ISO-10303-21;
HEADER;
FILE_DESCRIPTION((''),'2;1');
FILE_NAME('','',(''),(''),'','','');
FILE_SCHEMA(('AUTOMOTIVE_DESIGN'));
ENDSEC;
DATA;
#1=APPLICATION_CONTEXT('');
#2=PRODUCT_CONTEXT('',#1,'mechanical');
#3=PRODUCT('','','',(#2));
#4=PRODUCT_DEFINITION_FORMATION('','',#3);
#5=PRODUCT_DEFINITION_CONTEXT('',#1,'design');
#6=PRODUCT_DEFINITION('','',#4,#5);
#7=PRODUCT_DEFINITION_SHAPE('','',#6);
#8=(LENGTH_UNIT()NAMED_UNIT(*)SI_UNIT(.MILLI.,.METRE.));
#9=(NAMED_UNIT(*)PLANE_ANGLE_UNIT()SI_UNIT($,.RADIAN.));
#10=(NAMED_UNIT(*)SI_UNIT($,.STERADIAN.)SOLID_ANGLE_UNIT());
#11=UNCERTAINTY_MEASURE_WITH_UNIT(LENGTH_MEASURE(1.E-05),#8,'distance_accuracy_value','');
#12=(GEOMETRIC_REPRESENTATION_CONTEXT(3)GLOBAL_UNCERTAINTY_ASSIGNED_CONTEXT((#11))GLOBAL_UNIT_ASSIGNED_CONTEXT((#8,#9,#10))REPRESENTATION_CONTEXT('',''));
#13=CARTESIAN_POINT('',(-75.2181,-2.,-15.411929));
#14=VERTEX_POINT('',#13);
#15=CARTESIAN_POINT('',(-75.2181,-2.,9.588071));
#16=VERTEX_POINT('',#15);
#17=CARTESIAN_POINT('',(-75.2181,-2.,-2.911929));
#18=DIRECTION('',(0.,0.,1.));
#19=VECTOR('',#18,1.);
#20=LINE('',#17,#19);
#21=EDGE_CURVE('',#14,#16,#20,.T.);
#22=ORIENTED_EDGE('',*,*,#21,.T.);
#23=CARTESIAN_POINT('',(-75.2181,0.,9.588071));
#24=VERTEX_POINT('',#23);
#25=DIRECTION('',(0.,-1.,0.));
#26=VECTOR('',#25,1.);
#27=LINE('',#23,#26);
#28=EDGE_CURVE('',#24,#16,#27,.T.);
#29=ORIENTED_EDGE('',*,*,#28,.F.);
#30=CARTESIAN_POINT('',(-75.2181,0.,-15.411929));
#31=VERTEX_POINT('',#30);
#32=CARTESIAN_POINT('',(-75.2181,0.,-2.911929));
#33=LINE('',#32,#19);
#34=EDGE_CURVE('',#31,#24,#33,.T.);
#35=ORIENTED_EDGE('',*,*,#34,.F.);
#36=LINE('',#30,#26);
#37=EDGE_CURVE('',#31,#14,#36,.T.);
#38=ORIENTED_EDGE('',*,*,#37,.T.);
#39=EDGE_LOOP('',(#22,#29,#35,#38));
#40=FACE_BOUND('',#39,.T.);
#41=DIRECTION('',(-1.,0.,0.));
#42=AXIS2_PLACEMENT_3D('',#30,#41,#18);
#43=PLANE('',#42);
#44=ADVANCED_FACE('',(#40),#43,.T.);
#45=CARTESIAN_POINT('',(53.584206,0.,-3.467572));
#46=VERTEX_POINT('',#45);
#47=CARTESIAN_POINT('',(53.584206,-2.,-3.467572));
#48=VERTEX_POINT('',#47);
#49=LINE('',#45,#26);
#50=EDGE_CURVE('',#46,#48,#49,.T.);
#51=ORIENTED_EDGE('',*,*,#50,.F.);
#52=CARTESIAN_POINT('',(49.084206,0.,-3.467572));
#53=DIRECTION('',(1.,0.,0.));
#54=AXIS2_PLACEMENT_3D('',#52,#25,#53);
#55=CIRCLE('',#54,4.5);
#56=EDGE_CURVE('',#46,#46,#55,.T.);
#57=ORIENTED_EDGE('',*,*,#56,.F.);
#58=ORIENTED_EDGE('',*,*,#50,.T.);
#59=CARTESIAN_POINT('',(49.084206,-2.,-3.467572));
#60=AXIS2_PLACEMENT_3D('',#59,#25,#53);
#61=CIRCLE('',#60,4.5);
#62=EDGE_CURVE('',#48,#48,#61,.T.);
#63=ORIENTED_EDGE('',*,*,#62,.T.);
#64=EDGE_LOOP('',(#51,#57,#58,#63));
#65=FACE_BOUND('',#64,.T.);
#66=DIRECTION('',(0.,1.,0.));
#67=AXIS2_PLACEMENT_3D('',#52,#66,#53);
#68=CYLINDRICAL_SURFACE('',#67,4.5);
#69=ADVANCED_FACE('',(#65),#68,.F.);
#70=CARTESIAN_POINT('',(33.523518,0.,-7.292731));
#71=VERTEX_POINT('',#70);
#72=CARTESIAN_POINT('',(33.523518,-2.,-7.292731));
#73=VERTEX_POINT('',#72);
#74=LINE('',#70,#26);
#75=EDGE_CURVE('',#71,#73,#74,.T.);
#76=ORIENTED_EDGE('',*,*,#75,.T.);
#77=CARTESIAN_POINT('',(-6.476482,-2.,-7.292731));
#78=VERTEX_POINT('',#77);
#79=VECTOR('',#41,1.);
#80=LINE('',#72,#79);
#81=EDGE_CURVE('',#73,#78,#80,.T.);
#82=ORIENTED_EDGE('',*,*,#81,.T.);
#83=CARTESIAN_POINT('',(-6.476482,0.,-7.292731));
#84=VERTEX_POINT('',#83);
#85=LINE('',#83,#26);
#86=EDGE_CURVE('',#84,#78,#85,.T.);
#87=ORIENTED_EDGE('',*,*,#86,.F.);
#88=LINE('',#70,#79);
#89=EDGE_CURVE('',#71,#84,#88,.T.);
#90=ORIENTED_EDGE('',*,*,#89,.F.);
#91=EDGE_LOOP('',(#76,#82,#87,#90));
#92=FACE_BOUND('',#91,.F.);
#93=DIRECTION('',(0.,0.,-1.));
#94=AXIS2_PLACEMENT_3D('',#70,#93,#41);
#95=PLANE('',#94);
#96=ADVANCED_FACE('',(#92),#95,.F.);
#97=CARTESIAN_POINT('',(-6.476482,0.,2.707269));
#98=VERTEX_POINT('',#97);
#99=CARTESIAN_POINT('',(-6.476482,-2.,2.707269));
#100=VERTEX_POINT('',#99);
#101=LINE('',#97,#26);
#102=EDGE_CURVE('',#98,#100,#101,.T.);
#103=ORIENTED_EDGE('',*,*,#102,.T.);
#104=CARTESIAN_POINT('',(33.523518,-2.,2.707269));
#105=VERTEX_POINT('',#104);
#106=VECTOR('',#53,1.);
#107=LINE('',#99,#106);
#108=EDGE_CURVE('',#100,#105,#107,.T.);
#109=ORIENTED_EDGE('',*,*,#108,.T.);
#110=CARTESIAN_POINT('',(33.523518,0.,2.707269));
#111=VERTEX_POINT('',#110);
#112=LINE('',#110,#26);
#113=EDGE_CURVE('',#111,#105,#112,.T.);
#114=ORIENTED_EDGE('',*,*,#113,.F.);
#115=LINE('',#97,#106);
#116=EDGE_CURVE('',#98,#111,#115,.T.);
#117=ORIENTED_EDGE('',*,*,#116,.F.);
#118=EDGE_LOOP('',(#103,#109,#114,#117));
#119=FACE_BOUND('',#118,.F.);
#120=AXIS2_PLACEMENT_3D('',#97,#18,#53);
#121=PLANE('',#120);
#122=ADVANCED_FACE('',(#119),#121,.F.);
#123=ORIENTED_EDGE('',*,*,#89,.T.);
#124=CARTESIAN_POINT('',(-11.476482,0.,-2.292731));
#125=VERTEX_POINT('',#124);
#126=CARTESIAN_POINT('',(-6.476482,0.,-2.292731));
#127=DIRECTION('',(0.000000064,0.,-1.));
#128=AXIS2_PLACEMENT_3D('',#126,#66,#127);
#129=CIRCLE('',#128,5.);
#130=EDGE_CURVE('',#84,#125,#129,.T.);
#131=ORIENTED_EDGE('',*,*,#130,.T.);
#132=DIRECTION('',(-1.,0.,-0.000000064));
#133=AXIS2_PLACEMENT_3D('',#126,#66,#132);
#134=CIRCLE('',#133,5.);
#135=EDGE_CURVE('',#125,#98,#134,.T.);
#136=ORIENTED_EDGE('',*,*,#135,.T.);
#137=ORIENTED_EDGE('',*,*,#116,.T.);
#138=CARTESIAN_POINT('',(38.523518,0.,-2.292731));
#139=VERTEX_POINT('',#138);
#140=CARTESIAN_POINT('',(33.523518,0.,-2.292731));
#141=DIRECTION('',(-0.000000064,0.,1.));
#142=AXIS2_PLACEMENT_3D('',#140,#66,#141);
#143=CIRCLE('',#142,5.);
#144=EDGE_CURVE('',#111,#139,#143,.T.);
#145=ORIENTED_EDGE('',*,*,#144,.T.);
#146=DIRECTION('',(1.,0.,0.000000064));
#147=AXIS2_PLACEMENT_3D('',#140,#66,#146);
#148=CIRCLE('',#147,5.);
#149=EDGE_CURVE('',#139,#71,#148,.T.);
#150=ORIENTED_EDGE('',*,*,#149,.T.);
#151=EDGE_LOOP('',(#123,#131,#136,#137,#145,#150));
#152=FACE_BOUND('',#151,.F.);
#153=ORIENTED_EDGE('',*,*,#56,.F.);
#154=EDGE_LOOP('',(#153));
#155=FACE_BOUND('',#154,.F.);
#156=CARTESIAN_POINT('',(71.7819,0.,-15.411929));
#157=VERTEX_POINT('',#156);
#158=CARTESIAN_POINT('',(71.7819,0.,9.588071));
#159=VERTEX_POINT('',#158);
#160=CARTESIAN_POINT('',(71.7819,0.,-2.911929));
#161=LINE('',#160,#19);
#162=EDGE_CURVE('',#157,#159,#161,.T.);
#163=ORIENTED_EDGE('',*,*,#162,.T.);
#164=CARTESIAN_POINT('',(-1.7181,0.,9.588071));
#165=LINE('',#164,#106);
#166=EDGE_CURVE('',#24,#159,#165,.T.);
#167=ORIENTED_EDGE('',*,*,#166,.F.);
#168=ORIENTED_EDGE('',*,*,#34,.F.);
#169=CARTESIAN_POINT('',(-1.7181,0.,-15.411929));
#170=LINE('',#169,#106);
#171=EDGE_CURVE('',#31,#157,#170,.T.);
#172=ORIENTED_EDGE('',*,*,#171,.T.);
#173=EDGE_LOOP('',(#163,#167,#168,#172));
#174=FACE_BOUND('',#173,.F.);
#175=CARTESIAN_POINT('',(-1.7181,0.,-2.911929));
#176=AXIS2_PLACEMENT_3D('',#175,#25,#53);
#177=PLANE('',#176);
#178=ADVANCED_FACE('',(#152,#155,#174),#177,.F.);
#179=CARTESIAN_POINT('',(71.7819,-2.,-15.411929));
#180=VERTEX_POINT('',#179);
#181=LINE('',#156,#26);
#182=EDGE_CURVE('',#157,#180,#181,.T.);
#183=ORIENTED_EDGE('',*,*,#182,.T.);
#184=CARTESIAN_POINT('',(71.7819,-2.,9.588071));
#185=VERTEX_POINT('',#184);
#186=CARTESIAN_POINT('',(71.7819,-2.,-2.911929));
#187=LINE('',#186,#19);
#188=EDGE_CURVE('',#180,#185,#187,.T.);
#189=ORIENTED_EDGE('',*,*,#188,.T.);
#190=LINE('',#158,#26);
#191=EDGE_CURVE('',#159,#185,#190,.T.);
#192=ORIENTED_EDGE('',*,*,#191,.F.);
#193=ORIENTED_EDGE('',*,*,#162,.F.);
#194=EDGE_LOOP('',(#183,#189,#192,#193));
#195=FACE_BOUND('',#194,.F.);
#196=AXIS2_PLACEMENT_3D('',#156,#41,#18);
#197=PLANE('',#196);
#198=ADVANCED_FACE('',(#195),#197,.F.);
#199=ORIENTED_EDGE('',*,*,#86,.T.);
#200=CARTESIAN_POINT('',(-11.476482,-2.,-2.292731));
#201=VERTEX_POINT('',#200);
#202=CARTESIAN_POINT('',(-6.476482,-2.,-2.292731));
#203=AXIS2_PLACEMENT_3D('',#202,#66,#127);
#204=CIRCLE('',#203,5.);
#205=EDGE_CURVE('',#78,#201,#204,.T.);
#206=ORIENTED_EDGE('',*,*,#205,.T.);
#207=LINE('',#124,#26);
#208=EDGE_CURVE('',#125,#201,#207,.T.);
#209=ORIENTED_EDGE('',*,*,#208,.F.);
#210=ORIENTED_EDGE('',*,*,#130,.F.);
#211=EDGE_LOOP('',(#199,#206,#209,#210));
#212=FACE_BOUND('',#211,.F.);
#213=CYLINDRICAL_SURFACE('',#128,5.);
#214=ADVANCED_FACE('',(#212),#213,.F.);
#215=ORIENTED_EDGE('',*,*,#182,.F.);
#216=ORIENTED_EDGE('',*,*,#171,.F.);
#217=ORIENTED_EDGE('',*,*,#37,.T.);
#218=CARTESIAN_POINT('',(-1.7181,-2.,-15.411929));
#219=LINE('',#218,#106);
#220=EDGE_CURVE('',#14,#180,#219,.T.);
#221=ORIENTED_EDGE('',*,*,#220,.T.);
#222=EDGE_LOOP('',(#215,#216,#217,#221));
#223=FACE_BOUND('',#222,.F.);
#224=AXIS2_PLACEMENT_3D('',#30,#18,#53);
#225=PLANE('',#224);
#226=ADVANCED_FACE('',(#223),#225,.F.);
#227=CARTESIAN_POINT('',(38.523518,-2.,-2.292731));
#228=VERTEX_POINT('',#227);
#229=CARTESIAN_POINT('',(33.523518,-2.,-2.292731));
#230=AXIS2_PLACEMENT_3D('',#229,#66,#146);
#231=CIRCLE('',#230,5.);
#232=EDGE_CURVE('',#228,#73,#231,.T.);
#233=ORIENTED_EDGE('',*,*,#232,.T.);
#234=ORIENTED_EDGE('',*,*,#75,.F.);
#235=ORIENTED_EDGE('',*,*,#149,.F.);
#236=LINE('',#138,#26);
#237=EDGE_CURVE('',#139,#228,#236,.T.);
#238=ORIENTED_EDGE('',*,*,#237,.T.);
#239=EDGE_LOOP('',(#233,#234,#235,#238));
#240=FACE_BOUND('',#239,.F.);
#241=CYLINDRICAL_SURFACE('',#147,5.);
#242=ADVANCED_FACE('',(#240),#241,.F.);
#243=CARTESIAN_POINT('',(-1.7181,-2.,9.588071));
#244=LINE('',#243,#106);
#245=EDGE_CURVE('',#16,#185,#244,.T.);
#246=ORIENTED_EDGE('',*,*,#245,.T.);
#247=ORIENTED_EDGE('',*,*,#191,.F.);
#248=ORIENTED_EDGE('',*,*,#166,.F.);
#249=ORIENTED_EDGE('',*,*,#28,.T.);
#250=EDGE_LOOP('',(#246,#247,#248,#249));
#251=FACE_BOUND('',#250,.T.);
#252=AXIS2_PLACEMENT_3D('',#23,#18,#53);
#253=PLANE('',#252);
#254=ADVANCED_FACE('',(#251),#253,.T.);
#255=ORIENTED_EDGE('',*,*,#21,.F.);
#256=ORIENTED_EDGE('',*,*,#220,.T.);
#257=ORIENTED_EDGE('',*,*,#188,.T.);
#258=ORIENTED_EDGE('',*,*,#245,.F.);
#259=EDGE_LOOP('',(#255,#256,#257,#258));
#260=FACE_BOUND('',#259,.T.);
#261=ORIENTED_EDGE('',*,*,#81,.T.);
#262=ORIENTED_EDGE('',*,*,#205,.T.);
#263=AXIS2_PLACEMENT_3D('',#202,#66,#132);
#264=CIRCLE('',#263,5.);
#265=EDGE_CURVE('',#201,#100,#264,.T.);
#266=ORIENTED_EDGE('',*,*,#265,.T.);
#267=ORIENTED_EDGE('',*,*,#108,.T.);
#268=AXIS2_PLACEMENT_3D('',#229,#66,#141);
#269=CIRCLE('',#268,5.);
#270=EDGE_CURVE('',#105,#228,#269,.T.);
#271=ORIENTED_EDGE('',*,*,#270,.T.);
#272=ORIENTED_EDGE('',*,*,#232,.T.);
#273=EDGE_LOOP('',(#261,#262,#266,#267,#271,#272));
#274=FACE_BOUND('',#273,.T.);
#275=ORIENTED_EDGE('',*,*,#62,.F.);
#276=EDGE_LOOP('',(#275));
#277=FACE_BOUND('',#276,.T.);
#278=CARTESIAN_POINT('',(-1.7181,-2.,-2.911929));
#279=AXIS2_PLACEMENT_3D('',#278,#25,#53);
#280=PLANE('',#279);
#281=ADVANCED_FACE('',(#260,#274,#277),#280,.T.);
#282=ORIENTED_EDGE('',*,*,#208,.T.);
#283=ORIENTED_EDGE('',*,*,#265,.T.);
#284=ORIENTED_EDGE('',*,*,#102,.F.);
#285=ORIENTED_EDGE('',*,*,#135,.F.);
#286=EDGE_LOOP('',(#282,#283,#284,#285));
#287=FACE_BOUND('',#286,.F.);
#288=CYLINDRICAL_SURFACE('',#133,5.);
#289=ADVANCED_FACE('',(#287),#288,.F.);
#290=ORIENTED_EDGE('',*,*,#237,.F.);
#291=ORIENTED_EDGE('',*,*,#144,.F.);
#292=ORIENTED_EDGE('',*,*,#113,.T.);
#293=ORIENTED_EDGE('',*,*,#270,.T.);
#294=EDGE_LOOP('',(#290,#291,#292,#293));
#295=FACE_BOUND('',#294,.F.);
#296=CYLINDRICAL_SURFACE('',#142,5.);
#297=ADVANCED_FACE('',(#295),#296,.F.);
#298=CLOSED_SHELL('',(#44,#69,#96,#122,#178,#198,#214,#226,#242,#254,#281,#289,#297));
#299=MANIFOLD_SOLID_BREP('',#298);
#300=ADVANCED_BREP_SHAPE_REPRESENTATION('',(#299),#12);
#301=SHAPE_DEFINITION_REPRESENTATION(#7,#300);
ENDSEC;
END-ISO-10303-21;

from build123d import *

# Parameters (mm, degrees)
F0_W     = 147
F0_H     = 25
F0_R     = 4.5
F1_DEPTH = 2


with BuildPart() as f1:
    # F0 (on Front) → F1 (new body)
    with BuildSketch(Plane.XZ):
        with Locations((-1.7181, -2.911929)):
            Rectangle(F0_W, F0_H)
        with Locations((49.084206, -3.467572)):
            Circle(F0_R, mode=Mode.SUBTRACT)
        with BuildLine():
            ThreePointArc((-11.476482, -2.292731), (-10.012016, 1.242803), (-6.476482, 2.707269))
            Line((-6.476482, 2.707269), (33.523518, 2.707269))
            ThreePointArc((33.523518, 2.707269), (37.059052, 1.242803), (38.523518, -2.292731))
            ThreePointArc((38.523518, -2.292731), (37.059052, -5.828265), (33.523518, -7.292731))
            Line((33.523518, -7.292731), (-6.476482, -7.292731))
            ThreePointArc((-6.476482, -7.292731), (-10.012016, -5.828265), (-11.476482, -2.292731))
        make_face(mode=Mode.SUBTRACT)
    extrude(amount=F1_DEPTH)


solid = f1.part
